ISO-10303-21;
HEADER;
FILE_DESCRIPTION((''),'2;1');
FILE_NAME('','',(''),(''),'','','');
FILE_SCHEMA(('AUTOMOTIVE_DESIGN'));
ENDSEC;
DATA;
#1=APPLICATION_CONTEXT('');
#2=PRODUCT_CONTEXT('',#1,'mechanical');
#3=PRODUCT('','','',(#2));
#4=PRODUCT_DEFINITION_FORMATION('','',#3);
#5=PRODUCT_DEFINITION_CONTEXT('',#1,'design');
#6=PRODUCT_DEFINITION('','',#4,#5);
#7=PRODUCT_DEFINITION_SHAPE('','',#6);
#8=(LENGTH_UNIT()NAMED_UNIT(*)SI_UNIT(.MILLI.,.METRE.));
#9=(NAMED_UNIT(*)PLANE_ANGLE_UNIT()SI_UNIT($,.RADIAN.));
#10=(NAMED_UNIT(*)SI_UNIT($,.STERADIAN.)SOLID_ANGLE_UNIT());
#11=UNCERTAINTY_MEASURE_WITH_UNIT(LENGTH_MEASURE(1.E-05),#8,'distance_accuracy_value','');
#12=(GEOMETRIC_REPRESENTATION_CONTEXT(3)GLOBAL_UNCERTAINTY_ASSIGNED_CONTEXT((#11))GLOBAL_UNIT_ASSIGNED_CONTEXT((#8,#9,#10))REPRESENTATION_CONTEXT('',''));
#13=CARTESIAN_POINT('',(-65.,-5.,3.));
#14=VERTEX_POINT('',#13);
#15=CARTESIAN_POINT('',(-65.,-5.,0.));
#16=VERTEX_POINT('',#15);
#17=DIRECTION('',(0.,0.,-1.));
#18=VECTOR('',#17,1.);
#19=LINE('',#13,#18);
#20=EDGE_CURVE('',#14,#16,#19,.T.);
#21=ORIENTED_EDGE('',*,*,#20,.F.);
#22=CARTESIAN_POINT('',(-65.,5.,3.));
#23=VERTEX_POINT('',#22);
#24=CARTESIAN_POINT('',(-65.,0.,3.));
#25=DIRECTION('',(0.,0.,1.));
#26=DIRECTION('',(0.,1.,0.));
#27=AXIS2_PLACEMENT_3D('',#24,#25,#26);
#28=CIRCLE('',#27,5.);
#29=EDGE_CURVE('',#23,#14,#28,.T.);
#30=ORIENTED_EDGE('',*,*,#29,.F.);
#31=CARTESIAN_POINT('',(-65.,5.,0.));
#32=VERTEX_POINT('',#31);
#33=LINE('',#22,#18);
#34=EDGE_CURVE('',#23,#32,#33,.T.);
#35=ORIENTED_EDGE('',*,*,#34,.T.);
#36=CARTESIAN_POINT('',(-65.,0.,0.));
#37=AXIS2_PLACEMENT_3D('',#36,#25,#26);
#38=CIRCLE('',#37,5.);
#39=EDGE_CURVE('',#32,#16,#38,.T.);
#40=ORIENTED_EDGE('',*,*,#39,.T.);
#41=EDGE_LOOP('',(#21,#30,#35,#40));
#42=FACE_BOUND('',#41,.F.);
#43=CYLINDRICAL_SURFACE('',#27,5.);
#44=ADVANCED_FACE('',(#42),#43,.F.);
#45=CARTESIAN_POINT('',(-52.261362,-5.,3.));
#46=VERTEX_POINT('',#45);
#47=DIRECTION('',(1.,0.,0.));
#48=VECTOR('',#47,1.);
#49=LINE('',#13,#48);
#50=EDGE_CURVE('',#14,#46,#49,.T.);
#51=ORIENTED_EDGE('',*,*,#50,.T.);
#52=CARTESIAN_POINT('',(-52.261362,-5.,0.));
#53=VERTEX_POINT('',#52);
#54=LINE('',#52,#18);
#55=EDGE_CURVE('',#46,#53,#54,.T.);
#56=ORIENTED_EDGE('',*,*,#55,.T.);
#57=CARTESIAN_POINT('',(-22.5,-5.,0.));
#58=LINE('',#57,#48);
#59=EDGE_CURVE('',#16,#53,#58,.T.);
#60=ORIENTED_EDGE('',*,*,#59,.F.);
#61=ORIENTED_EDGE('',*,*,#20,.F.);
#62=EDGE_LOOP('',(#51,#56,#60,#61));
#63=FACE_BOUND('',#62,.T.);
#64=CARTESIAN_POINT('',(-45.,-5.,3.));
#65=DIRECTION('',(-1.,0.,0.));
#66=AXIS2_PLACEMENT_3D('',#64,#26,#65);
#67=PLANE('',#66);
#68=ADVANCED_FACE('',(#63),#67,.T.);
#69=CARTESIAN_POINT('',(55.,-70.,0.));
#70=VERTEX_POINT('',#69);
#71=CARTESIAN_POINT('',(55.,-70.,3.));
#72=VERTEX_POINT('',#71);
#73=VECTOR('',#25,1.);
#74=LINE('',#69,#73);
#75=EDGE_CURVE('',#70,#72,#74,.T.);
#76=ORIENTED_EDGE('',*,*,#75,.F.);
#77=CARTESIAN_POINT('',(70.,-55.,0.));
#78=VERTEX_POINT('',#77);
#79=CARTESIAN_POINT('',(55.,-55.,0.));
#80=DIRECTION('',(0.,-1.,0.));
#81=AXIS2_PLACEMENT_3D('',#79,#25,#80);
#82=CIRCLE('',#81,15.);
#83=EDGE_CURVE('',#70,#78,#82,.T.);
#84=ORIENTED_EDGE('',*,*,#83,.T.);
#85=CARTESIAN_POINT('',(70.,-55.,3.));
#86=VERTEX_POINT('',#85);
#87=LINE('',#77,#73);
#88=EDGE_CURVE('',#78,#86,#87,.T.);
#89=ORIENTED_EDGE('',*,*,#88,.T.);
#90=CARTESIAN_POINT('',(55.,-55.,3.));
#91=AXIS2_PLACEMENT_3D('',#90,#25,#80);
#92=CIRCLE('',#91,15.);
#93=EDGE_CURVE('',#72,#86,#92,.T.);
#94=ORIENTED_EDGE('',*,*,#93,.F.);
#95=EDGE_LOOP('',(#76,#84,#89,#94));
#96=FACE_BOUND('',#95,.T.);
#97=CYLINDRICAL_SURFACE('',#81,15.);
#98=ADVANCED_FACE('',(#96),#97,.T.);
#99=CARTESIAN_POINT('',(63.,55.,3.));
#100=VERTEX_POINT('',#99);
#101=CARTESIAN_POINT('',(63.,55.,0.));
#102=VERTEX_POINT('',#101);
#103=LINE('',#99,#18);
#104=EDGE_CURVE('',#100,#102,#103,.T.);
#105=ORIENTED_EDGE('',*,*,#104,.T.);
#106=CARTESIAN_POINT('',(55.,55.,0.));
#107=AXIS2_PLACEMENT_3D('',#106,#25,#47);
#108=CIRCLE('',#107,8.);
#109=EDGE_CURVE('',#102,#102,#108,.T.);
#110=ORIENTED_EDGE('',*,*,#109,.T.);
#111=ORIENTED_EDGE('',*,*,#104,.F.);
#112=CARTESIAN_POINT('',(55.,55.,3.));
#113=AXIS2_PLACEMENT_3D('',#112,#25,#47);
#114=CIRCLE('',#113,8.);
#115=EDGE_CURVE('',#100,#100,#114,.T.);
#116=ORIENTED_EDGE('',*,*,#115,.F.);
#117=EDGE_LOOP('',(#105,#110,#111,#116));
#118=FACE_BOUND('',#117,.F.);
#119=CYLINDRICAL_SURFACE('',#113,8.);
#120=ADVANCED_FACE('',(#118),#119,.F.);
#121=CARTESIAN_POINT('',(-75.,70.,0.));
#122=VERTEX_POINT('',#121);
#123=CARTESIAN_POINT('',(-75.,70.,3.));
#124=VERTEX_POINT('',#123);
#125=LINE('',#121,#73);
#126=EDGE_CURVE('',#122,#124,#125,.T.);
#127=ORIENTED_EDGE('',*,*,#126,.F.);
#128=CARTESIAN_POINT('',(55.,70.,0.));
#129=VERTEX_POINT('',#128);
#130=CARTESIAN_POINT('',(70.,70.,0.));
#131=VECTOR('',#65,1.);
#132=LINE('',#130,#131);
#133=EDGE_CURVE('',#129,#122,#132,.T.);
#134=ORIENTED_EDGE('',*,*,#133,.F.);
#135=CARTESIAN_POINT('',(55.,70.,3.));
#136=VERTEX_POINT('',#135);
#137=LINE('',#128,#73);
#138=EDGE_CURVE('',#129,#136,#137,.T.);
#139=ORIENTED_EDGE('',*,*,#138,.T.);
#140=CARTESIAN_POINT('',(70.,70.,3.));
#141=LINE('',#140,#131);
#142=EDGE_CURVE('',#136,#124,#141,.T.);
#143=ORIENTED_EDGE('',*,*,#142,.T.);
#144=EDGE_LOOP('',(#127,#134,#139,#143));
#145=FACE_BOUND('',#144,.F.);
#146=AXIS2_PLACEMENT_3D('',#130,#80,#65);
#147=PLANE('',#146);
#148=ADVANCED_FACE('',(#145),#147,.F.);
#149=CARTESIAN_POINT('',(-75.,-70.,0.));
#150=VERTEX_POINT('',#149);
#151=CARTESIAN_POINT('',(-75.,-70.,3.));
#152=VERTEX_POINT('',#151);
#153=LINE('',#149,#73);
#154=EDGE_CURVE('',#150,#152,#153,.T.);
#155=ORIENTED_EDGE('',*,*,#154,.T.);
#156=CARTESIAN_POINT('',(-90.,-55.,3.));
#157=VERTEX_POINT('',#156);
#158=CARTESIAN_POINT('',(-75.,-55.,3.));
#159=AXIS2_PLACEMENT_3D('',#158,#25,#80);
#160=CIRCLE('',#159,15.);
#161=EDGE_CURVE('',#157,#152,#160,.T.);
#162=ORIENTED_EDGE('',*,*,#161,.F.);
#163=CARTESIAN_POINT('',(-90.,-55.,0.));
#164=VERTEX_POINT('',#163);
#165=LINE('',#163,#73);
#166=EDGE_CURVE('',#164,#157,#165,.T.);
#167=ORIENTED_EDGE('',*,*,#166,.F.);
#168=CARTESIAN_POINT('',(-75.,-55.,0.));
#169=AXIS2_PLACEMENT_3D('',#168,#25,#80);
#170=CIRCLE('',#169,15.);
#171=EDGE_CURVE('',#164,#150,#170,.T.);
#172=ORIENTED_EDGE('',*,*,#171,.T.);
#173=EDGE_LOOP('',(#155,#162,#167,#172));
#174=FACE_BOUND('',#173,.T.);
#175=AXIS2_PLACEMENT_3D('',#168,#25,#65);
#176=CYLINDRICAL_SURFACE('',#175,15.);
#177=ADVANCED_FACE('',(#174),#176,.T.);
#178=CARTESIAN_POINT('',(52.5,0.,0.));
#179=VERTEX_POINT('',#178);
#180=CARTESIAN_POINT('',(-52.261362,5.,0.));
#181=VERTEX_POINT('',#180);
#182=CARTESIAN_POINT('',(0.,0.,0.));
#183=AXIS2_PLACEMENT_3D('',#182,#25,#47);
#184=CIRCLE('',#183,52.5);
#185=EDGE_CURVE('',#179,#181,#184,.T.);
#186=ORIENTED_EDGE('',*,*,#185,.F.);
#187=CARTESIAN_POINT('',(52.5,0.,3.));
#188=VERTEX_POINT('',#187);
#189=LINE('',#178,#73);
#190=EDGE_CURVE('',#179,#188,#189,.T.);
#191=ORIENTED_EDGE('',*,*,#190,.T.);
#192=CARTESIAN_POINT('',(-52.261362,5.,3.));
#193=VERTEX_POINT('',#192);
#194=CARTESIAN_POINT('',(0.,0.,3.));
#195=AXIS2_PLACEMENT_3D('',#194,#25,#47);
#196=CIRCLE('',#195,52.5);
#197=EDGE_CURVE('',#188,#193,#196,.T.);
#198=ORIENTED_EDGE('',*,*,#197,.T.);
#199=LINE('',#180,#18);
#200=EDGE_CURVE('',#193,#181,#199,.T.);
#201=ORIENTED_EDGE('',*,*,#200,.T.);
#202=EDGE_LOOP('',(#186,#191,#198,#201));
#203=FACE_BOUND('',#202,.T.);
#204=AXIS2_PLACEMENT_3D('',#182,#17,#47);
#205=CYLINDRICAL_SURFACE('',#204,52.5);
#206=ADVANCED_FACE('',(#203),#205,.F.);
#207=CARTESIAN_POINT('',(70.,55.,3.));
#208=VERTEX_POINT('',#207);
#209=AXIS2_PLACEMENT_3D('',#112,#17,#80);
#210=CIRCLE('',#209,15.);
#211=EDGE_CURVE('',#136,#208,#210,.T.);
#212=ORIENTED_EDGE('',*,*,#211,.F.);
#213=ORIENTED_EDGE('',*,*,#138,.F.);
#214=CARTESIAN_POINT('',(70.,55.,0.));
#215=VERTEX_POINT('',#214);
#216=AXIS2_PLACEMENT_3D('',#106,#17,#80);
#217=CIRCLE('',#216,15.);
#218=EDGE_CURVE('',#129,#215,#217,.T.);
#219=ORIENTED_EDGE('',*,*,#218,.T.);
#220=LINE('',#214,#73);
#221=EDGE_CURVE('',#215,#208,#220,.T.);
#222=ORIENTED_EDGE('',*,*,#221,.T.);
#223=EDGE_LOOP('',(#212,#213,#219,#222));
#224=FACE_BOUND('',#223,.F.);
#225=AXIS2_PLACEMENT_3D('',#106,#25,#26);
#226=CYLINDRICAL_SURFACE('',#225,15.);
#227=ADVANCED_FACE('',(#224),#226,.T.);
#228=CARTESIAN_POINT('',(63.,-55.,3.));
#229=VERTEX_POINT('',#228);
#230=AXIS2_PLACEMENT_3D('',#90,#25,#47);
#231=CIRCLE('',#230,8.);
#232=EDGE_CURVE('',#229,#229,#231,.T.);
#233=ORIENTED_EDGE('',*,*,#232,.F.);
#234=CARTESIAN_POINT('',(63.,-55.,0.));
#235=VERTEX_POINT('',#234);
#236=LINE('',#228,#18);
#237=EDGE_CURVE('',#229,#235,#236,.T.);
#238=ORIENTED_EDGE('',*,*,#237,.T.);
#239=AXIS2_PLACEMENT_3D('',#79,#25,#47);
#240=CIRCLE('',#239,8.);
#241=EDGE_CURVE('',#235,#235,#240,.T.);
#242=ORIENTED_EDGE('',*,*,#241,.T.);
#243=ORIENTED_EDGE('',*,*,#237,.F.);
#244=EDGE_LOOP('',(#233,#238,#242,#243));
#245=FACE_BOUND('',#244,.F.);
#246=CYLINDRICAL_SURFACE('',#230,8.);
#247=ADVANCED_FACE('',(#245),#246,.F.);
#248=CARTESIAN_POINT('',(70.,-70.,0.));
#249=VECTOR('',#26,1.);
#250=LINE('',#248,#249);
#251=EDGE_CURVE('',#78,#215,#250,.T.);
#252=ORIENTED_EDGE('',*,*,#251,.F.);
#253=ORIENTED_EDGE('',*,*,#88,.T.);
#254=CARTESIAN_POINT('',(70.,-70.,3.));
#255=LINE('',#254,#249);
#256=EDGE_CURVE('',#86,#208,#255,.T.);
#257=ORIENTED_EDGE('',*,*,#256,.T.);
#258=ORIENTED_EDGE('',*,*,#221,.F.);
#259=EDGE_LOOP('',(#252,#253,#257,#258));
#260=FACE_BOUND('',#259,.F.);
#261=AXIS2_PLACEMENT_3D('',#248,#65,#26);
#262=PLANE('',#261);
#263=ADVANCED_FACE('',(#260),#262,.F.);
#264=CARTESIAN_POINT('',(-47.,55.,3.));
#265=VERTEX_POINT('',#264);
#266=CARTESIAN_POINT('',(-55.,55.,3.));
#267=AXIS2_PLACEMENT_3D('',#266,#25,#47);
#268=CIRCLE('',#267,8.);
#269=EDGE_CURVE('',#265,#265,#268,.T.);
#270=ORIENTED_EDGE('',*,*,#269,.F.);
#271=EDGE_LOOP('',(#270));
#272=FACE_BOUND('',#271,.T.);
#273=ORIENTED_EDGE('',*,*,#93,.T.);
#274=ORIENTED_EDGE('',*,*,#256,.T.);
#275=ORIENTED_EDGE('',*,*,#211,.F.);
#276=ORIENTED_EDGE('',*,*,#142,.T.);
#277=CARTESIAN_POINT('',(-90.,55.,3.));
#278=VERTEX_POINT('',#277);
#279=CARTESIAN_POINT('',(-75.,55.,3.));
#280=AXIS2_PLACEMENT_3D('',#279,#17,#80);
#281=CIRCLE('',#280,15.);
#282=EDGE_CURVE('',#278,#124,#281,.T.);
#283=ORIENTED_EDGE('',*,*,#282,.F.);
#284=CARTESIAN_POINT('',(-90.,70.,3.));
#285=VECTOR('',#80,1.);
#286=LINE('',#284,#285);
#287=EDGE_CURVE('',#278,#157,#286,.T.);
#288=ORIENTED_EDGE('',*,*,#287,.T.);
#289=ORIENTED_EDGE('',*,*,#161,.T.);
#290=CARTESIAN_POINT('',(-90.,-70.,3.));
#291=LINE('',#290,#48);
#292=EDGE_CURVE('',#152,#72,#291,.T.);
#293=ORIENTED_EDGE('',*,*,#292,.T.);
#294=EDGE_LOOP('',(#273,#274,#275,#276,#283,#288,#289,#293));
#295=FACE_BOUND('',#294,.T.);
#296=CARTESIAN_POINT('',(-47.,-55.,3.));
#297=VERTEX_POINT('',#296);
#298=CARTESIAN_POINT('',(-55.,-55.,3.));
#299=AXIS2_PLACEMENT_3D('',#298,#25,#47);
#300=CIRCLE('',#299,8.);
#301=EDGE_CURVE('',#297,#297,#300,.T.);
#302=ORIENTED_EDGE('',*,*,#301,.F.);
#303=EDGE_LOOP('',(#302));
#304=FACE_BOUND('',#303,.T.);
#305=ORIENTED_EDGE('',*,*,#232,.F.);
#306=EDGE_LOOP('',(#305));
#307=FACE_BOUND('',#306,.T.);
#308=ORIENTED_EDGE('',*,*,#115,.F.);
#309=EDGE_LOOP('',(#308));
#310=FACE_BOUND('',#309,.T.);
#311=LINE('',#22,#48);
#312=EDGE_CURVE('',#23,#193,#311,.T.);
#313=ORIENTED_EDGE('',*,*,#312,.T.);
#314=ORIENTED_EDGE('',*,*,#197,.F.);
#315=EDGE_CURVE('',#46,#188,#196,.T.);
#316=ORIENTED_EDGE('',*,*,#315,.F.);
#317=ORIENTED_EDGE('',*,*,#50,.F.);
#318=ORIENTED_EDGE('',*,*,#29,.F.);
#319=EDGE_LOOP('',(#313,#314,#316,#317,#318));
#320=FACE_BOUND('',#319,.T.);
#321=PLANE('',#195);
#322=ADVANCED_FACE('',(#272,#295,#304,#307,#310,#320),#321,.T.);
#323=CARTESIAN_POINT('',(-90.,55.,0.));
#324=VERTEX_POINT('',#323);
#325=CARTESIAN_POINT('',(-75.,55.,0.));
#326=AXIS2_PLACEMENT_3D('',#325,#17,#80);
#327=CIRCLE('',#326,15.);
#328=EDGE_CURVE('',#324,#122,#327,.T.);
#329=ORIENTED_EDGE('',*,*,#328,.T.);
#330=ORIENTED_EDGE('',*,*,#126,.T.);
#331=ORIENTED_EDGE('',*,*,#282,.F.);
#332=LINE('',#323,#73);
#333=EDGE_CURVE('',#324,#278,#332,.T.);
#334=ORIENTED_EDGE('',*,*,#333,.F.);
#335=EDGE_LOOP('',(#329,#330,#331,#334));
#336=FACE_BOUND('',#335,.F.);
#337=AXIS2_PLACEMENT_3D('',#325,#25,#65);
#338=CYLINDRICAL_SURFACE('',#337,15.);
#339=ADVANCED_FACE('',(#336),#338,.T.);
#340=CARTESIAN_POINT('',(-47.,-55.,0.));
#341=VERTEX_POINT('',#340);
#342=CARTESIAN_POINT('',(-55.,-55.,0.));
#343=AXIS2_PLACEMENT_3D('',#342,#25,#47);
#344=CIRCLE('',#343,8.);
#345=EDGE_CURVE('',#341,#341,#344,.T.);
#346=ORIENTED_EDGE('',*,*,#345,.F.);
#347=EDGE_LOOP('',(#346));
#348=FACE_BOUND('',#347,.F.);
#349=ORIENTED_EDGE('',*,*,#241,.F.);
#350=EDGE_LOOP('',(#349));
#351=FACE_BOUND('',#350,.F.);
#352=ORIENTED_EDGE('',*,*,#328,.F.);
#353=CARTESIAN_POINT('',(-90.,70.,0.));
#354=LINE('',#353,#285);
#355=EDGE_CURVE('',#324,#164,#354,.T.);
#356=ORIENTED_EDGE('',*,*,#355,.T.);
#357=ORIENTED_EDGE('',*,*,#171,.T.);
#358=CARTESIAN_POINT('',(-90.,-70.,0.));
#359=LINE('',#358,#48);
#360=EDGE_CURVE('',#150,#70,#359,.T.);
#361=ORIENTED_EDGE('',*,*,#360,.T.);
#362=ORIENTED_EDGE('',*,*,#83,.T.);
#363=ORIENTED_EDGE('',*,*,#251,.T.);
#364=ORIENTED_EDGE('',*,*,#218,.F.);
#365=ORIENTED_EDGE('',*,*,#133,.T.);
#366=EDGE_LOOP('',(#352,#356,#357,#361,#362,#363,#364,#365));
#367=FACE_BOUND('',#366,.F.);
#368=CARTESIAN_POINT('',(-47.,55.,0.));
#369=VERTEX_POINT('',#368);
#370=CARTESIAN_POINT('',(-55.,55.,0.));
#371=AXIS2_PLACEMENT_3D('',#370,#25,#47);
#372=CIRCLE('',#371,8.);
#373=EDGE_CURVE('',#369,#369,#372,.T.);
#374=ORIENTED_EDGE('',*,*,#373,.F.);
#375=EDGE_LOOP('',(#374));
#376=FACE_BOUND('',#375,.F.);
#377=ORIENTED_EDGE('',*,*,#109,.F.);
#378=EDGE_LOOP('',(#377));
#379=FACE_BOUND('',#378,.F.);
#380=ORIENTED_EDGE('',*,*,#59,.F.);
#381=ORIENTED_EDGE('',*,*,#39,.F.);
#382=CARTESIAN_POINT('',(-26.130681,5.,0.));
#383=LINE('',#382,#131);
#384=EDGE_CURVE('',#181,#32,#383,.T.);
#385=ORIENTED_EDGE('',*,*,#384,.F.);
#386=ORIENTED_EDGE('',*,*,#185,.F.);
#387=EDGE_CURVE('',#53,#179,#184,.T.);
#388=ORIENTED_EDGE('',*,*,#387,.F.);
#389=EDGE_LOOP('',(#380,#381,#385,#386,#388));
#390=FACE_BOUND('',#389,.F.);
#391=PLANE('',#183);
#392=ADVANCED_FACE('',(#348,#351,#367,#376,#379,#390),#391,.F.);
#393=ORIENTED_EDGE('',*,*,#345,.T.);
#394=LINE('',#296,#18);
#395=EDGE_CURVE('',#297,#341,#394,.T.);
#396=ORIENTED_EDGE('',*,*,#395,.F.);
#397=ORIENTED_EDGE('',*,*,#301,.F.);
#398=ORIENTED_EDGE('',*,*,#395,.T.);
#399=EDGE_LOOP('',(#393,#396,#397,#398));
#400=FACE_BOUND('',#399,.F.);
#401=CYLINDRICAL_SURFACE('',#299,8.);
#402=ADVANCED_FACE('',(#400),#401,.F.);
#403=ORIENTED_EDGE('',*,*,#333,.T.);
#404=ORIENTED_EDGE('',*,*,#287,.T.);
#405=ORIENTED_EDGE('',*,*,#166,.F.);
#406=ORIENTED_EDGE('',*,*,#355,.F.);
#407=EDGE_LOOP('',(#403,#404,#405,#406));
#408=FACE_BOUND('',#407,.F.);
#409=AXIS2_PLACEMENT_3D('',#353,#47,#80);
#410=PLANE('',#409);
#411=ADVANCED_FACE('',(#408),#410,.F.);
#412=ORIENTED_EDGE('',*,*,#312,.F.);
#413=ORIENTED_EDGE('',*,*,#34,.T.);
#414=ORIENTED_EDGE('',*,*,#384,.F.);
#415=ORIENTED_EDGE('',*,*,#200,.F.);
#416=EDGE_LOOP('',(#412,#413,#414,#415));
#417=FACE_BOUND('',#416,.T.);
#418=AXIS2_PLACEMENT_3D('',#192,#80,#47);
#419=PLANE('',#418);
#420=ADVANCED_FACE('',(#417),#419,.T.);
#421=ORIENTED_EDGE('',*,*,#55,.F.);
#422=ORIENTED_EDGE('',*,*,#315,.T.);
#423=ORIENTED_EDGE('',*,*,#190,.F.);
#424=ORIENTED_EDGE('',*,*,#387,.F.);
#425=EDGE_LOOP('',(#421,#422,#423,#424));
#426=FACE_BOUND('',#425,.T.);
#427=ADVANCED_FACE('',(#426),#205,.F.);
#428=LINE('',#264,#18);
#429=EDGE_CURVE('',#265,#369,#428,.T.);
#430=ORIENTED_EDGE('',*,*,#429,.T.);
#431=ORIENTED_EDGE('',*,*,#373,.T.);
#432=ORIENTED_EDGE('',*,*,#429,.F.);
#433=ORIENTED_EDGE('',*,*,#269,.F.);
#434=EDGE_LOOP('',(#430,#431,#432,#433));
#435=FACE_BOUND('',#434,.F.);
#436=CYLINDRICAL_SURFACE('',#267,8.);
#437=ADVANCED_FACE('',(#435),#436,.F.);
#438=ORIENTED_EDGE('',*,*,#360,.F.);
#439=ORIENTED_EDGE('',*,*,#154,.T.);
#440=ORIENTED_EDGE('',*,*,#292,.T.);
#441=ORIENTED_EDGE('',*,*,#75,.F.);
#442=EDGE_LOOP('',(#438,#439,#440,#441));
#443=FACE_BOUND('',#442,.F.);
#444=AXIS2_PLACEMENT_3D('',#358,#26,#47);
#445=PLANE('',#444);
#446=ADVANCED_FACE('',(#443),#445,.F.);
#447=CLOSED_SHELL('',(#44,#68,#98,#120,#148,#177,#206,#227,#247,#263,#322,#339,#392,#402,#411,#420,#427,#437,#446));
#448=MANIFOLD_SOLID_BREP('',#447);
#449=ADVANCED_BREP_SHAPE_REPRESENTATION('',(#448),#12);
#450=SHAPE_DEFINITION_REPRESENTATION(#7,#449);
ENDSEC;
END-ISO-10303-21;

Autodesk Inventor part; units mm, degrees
ref_plane "YZ Plane" through (0, 0, 0) normal (1, 0, 0) x (0, 1, 0)
ref_plane "XZ Plane" through (0, 0, 0) normal (0, 1, 0) x (-1, 0, 0)
ref_plane "XY Plane" through (0, 0, 0) normal (0, 0, 1) x (1, 0, 0)
sketch "Esboço1" plane through (0, 0, 0) normal (0, 0, 1) x (1, 0, 0)
  line L0 (-90, -70) -> (70, -70)
  line L1 (70, -70) -> (70, 70)
  line L2 (70, 70) -> (-90, 70)
  line L3 (-90, 70) -> (-90, -70)
  circle A0 centre (0, 0) radius 52.5
  point P0 (70, 0)
  dimension "d0" = 140
  dimension "d1" = 160
  dimension "d2" = 70
  dimension "d3" = 105
extrude "Extrusão1" add sketch "Esboço1" along normal blind 3
sketch "Esboço2" plane through (0, 0, 3) normal (0, 0, 1) x (1, 0, 0)
  line L0 (70, -70) -> (70, 70) projected
  line L1 (70, 70) -> (-90, 70) projected
  line L2 (-90, -70) -> (70, -70) projected
  circle A0 centre (-55, 55) radius 8
  circle A1 centre (55, 55) radius 8
  circle A2 centre (55, -55) radius 8
  circle A3 centre (-55, -55) radius 8
  dimension "d6" = 16
  dimension "d7" = 15
  dimension "d8" = 15
  dimension "d9" = 15
  dimension "d10" = 15
  dimension "d11" = 110
extrude "Extrusão2" cut sketch "Esboço2" against normal up to next
sketch "Esboço3" plane through (0, 0, 3) normal (0, 0, 1) x (1, 0, 0)
  circle A0 centre (0, 0) radius 52.5 projected
  arc A1 (-65, 5) -> (-65, -5) centre (-65, 0) ccw
  line L0 (-65, 5) -> (-45, 5)
  line L1 (-45, 5) -> (-45, -5)
  line L2 (-45, -5) -> (-65, -5)
  dimension "d14" = 65
  dimension "d15" = 5
  dimension "d16" = 20
extrude "Extrusão3" cut sketch "Esboço3" against normal up to next contours L0 L1 L2 A0 | A0 L2 A1 L0 picked at (-47.4912, 0.5563)
fillet "Arredondamento1" radius 15 4 edges at (70, 70, 1.5) (70, -70, 1.5) (-90, -70, 1.5) (-90, 70, 1.5)
